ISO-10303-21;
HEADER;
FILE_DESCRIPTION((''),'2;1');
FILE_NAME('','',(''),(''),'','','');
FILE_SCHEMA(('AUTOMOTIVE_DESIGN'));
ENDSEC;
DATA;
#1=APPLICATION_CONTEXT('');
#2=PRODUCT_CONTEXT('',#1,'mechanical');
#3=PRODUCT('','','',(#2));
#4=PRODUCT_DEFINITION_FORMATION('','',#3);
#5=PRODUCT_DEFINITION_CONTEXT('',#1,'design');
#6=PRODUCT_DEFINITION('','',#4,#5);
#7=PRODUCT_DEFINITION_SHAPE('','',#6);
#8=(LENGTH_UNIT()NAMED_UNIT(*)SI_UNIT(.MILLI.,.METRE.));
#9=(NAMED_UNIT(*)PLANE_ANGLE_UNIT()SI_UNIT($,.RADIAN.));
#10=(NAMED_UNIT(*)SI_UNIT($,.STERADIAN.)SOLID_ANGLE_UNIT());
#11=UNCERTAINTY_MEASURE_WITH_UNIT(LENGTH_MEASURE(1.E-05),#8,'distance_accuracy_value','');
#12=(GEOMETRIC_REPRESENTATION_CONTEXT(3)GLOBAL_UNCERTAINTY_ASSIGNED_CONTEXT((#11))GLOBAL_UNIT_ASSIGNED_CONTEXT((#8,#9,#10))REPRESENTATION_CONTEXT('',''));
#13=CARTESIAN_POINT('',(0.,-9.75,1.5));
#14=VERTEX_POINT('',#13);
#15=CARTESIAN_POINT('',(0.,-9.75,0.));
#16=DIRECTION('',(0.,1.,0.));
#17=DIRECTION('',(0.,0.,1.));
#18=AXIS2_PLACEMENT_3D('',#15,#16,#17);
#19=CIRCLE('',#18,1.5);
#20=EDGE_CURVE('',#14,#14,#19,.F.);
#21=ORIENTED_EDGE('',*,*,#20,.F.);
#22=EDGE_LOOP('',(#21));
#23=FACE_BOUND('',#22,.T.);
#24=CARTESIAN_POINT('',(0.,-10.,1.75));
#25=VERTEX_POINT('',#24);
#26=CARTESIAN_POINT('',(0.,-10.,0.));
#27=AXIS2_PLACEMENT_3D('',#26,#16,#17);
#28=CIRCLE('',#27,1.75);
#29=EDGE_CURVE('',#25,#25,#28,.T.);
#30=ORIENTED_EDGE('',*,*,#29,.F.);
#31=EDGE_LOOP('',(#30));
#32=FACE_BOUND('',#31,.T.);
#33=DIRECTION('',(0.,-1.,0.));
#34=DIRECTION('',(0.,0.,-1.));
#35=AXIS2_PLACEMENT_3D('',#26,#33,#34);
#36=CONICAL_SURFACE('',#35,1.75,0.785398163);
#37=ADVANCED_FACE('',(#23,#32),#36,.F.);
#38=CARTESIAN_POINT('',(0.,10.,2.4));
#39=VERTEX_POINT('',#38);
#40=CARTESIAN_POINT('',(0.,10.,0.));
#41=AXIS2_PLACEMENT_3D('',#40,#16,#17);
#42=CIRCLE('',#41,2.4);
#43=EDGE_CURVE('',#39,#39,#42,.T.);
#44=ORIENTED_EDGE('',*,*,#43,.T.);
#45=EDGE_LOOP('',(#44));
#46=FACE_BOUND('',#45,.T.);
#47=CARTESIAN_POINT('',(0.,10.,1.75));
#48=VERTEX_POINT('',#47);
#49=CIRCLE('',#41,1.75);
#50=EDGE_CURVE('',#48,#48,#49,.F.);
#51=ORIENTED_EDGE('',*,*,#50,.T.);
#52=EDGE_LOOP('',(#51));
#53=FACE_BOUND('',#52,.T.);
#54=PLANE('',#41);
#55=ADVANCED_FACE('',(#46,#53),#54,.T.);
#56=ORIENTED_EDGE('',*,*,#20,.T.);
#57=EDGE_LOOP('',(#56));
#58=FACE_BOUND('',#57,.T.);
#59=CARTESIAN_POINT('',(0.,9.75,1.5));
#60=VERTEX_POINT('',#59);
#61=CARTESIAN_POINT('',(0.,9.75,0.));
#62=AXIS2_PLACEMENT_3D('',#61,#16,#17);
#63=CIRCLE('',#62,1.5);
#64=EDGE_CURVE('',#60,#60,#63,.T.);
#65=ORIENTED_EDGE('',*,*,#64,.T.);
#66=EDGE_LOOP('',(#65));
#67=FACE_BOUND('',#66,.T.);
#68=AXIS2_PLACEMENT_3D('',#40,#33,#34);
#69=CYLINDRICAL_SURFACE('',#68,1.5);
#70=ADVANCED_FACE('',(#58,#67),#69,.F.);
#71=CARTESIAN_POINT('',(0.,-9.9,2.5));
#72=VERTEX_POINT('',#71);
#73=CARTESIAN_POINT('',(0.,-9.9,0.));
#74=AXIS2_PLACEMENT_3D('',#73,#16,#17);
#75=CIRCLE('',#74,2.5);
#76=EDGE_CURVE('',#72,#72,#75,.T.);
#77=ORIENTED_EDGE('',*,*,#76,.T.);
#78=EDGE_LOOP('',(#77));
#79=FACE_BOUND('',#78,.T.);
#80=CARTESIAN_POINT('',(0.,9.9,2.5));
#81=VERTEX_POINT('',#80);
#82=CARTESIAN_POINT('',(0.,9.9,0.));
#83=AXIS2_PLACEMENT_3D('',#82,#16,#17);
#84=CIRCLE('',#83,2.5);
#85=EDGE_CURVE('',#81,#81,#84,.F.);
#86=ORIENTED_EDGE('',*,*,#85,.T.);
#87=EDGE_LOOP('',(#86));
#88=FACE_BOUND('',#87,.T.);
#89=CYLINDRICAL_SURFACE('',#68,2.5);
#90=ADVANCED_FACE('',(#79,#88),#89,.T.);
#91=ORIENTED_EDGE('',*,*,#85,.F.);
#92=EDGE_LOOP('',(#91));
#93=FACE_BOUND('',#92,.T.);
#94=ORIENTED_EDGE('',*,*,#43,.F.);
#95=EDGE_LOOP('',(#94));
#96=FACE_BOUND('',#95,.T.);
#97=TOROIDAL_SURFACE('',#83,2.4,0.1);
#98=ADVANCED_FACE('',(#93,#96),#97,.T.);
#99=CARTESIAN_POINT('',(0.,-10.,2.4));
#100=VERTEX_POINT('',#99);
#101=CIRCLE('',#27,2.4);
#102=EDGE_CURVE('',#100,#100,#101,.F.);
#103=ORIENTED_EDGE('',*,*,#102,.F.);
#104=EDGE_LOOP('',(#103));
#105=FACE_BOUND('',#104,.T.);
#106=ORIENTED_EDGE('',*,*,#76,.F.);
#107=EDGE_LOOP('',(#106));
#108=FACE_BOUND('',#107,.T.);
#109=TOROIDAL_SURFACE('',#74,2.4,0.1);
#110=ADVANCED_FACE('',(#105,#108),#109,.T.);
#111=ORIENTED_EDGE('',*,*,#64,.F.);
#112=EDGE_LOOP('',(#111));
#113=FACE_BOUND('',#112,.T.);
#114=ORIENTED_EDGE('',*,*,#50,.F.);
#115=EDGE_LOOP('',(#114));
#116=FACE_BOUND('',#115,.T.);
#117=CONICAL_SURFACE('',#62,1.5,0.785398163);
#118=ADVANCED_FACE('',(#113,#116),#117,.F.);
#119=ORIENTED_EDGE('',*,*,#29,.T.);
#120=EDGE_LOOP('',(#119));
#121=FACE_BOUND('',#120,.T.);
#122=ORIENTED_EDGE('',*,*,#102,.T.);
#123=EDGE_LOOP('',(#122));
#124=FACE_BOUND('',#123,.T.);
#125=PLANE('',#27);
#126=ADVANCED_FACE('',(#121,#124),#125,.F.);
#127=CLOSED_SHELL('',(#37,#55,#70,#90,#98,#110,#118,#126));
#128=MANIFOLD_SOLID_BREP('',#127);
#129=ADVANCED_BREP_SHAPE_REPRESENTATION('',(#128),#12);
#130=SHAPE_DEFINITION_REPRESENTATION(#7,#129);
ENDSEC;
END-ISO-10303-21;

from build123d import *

# Parameters (mm, degrees)
SKETCH1_R           = 2.5
SKETCH1_R_2         = 1.5
BOSS_EXTRUDE1_DEPTH = 10
CHAMFER1_SIZE       = 0.25
FILLET1_R           = 0.1


with BuildPart() as part:
    # Sketch1 → Boss-Extrude1 (new, symmetric)
    with BuildSketch(Plane(origin=(0, 0, 0), x_dir=(1, 0, 0), z_dir=(0, 1, 0))):
        with Locations(Location((0, 0, 0), (0, 0, 270))):
            Circle(SKETCH1_R)
        with Locations(Location((0, 0, 0), (0, 0, 270))):
            Circle(SKETCH1_R_2, mode=Mode.SUBTRACT)
    extrude(amount=BOSS_EXTRUDE1_DEPTH, both=True)

    # Chamfer1
    chamfer1_edges = [part.edges().sort_by_distance(p)[0] for p in [
        (0, -10, -1.5),
        (0, 10, -1.5),
    ]]
    chamfer(chamfer1_edges, length=CHAMFER1_SIZE)

    # Fillet1
    fillet1_edges = [part.edges().sort_by_distance(p)[0] for p in [
        (0, -10, -2.5),
        (0, 10, -2.5),
    ]]
    fillet(fillet1_edges, radius=FILLET1_R)


solid = part.part
